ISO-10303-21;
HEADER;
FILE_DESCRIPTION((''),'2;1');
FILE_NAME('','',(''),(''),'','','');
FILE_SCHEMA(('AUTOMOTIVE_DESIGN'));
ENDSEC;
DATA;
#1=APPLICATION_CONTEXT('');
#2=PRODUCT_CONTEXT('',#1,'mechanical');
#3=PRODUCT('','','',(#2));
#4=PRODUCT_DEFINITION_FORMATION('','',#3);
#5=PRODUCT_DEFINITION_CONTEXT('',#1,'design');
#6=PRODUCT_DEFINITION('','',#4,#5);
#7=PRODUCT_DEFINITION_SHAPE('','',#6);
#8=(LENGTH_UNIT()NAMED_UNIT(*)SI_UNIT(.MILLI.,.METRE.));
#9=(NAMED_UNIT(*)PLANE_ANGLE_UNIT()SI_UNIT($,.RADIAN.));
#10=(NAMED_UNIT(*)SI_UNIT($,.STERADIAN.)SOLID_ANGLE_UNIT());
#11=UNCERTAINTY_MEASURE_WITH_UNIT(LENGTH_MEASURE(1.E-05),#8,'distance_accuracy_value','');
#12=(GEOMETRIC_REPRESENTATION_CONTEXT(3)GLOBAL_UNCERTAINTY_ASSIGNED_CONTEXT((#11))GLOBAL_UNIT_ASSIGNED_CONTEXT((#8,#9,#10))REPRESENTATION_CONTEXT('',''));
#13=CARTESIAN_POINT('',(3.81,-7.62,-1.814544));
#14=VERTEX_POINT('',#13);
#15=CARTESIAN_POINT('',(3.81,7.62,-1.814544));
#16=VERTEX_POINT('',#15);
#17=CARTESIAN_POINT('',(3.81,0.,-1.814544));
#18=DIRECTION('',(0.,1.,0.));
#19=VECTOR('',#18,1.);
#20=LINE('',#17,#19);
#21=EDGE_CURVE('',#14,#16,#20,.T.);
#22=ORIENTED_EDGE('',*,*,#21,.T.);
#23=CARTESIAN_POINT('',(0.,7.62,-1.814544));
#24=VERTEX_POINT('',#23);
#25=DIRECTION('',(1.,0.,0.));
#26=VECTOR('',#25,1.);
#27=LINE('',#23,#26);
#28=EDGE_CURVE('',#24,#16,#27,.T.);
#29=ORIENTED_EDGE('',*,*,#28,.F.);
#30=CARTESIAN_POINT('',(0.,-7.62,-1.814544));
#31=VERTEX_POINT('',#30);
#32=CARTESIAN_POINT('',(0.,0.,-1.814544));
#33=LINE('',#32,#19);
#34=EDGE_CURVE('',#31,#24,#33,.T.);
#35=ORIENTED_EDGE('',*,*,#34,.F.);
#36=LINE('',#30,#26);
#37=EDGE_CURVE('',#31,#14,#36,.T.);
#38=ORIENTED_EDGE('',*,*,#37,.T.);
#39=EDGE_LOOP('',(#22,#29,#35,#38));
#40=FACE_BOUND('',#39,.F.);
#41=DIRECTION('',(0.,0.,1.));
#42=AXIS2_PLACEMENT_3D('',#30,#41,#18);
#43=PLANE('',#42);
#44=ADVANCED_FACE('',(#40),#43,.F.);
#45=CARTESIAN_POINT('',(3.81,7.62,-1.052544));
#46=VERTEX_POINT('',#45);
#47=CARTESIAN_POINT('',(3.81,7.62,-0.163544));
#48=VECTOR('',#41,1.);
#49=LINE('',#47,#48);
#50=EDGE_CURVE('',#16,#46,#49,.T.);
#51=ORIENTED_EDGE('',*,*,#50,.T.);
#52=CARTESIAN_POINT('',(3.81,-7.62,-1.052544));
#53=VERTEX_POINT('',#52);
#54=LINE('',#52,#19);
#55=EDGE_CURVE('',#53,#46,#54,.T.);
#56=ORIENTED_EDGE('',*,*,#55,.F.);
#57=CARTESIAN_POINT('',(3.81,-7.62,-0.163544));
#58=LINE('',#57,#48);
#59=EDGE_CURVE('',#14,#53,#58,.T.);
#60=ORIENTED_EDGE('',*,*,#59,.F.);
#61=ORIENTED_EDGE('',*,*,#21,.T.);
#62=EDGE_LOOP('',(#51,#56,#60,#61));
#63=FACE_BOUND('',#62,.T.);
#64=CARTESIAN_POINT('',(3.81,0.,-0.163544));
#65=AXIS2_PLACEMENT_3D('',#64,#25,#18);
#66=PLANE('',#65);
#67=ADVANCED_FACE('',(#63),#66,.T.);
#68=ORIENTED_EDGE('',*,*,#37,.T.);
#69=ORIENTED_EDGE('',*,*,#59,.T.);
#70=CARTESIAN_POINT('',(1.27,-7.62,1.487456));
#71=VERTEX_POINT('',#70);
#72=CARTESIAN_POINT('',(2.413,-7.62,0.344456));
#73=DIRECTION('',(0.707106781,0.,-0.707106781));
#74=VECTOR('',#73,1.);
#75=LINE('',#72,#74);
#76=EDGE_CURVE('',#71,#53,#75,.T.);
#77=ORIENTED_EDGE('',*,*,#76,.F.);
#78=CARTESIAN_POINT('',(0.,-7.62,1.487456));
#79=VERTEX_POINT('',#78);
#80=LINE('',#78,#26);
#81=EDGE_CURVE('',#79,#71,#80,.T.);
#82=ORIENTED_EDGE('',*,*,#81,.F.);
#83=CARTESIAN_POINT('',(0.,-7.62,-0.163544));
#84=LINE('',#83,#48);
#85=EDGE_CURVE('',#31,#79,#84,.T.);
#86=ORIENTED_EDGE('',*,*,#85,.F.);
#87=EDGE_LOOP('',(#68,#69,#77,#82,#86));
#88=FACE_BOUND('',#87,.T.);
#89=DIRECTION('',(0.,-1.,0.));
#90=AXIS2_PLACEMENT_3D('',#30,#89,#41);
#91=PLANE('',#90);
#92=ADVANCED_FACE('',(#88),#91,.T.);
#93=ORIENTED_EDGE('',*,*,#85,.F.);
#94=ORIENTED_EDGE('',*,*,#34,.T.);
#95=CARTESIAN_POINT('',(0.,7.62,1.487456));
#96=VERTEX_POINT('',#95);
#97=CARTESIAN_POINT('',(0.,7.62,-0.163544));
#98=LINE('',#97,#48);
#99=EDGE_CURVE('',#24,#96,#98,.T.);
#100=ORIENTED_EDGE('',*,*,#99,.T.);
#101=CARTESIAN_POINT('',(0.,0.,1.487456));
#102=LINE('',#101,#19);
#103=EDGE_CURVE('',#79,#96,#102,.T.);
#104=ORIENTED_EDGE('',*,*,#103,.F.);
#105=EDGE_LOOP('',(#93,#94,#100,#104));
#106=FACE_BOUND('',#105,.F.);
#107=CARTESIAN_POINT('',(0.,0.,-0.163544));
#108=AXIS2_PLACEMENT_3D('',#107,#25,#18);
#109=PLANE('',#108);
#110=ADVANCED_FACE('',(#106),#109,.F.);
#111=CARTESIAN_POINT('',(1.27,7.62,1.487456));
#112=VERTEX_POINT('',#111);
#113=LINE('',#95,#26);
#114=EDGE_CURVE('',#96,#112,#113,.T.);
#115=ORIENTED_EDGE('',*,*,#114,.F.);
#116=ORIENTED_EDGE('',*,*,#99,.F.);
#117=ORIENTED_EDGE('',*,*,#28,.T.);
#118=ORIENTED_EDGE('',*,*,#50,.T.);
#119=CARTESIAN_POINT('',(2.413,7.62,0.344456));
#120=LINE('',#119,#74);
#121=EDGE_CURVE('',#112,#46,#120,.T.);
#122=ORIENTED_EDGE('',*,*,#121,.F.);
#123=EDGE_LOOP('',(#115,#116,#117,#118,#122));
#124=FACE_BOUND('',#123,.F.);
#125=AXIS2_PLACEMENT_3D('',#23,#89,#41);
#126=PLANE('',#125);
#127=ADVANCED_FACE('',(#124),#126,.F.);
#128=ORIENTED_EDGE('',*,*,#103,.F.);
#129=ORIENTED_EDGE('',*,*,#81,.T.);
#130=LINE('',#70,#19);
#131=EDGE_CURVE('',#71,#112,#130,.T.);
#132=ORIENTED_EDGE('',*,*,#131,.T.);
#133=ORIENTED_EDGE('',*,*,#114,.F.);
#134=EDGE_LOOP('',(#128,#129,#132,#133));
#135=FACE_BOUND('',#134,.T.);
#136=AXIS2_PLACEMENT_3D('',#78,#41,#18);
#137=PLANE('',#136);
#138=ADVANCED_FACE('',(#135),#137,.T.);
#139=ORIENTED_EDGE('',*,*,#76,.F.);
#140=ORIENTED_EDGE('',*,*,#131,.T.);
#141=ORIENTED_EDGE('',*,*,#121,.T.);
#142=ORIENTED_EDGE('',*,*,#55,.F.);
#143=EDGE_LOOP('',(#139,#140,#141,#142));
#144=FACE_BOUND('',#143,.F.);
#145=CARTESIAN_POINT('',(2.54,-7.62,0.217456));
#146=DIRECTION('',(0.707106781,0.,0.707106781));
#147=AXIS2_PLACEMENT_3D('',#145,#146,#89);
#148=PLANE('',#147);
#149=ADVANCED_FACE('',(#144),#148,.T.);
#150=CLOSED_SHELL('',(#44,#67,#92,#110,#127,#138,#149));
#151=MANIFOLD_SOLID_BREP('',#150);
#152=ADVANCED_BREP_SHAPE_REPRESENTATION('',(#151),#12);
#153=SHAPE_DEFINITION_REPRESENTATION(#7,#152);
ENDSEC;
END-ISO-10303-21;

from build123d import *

# Parameters (mm, degrees)
F0_W     = 15.24
F0_H     = 3.302
F1_DEPTH = 3.81
F2_SIZE  = 2.54


with BuildPart() as f1:
    # F0 (on Right) → F1 (new body)
    with BuildSketch(Plane.YZ):
        with Locations((0, -0.163544)):
            Rectangle(F0_W, F0_H)
    extrude(amount=F1_DEPTH)

    # F2
    f2_edges = [f1.edges().sort_by_distance(p)[0] for p in [
        (3.81, 0, 1.487456),
    ]]
    chamfer(f2_edges, length=F2_SIZE)


solid = f1.part
